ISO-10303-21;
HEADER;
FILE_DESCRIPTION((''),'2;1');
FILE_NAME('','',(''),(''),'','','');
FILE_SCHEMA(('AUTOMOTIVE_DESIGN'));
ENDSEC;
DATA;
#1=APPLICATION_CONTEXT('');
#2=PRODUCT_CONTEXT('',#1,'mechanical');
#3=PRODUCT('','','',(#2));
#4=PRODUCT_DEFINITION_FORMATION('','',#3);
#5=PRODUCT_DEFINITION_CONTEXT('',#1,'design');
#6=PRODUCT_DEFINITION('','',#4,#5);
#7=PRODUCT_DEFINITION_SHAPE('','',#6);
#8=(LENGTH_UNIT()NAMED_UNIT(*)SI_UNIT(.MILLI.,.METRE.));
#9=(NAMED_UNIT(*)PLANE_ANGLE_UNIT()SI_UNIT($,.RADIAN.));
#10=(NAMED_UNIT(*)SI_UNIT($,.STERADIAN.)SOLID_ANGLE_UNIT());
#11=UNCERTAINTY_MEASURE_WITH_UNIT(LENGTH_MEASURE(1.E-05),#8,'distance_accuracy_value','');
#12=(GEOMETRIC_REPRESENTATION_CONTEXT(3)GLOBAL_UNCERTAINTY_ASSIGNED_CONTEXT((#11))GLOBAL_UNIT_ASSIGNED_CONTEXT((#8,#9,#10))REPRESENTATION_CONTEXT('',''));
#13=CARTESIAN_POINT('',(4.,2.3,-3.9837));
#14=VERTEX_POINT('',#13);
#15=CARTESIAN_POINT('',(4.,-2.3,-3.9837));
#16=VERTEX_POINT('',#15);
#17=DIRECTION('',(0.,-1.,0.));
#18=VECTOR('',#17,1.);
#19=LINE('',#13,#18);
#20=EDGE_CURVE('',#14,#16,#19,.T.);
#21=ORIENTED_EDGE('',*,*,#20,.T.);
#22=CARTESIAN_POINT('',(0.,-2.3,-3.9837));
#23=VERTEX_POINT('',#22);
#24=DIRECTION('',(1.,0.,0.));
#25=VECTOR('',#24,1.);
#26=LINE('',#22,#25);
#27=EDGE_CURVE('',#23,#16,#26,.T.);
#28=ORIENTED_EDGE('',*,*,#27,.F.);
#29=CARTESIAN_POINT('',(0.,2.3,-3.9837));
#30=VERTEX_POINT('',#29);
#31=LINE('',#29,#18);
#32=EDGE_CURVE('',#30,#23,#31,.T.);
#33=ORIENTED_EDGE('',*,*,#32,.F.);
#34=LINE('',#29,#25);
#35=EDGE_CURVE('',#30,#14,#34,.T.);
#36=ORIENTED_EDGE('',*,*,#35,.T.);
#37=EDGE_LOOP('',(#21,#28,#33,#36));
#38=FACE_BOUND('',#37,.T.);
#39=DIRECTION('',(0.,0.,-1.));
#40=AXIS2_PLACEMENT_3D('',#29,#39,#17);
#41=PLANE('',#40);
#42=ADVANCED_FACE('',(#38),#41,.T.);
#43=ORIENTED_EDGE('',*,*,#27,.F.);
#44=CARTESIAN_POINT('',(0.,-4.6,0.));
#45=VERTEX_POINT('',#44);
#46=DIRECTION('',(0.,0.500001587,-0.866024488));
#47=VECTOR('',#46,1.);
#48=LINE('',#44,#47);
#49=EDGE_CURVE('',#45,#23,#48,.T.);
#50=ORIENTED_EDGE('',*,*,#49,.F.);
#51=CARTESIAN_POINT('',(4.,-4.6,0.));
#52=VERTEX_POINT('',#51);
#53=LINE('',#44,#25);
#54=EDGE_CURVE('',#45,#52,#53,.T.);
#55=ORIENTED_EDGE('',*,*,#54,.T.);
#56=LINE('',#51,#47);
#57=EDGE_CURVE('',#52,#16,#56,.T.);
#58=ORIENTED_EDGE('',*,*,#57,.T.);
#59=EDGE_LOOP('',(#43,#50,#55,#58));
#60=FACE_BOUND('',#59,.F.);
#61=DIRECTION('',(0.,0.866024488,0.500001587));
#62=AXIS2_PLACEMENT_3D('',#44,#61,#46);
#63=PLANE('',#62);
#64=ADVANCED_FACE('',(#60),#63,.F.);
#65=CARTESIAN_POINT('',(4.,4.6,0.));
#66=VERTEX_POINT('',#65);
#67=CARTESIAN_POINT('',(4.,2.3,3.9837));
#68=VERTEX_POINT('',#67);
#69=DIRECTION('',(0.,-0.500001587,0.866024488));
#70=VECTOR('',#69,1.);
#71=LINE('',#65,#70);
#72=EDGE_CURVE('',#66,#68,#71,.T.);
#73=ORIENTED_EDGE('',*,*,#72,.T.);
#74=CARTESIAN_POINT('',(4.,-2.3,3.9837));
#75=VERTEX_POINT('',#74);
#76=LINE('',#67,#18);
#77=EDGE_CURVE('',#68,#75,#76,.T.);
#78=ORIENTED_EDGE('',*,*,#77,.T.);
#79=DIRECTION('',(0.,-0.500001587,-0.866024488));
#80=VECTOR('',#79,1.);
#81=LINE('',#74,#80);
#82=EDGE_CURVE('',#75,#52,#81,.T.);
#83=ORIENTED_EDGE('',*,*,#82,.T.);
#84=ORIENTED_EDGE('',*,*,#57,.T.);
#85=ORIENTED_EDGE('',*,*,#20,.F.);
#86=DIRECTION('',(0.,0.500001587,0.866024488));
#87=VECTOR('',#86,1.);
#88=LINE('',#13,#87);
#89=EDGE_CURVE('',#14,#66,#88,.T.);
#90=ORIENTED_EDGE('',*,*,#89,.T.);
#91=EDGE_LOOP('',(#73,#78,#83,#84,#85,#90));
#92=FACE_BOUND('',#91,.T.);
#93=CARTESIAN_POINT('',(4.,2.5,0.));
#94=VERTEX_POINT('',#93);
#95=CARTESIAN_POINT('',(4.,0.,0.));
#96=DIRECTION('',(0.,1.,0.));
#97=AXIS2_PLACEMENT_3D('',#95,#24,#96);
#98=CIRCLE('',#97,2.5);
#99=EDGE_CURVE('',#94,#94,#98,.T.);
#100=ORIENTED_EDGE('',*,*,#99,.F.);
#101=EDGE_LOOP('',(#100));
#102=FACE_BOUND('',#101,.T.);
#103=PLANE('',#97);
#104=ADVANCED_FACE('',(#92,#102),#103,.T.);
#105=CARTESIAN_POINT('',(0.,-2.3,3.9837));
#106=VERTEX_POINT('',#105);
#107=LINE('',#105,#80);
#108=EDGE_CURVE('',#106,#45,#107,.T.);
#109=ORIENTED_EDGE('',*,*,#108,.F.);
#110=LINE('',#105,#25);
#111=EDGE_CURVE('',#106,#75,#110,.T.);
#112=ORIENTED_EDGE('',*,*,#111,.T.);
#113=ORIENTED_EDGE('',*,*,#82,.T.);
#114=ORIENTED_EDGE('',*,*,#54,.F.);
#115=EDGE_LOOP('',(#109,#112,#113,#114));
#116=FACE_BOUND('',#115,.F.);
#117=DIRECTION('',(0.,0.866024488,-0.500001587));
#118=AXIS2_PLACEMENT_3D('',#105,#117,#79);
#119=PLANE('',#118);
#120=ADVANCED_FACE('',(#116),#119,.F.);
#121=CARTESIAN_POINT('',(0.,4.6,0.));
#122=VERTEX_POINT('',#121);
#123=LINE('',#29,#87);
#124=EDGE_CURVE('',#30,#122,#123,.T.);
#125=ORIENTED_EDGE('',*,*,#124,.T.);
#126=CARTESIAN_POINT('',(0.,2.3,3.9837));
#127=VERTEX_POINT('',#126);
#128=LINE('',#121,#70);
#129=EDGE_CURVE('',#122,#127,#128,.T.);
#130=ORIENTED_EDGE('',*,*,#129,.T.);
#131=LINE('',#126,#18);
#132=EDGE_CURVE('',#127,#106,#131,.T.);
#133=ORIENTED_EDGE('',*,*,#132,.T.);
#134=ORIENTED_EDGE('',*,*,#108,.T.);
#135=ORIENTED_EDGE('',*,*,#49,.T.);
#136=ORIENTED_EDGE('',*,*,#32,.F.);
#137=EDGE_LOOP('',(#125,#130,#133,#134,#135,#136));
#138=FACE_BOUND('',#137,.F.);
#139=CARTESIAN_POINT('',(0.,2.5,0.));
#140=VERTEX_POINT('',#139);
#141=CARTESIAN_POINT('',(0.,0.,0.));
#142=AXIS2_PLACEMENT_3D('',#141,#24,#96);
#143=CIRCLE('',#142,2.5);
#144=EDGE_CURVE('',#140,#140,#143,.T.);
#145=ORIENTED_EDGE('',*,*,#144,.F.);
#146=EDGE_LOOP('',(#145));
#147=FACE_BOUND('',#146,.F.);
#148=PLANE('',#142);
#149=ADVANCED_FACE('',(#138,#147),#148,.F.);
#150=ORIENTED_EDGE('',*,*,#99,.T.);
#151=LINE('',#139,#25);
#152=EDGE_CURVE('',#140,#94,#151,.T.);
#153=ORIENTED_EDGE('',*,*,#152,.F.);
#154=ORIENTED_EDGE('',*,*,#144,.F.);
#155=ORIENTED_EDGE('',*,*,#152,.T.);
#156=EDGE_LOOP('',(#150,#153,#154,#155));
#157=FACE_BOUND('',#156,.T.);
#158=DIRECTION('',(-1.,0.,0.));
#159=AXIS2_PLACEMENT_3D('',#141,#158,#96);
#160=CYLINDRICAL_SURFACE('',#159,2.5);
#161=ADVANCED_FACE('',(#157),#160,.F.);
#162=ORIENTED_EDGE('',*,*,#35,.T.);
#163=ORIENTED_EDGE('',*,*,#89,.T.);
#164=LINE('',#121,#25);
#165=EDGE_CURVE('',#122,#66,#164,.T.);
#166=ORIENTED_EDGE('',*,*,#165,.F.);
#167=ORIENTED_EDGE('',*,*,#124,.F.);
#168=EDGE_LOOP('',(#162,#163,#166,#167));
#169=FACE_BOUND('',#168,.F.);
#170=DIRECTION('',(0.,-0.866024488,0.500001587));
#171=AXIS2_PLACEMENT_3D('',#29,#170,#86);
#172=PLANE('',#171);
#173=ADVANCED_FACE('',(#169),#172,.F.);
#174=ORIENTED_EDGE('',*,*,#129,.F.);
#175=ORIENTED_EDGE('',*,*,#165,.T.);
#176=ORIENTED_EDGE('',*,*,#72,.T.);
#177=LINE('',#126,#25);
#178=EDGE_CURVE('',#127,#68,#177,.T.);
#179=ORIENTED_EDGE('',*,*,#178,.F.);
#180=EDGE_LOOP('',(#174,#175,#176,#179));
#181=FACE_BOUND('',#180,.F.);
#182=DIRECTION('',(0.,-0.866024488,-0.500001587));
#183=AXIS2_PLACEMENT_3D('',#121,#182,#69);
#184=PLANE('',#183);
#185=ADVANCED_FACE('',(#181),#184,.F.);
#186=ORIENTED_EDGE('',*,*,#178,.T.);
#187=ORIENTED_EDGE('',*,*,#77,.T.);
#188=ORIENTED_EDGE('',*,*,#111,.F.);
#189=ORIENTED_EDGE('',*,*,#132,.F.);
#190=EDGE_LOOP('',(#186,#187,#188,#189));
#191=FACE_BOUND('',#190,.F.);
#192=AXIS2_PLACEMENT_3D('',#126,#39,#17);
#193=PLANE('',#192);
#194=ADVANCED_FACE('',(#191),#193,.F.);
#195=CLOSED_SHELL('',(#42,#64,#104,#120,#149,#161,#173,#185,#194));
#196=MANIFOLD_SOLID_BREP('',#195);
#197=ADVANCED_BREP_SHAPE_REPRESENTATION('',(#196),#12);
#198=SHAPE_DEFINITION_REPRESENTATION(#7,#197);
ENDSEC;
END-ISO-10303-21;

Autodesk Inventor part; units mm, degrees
ref_plane "YZ Plane" through (0, 0, 0) normal (1, 0, 0) x (0, 1, 0)
ref_plane "XZ Plane" through (0, 0, 0) normal (0, 1, 0) x (-1, 0, 0)
ref_plane "XY Plane" through (0, 0, 0) normal (0, 0, 1) x (1, 0, 0)
sketch "スケッチ1" plane through (0, 0, 0) normal (1, 0, 0) x (0, 1, 0)
  circle A0 centre (0, 0) radius 4.6
  line L0 (4.6, 0) -> (2.3, 3.9837)
  line L1 (2.3, 3.9837) -> (-2.3, 3.9837)
  line L2 (-2.3, 3.9837) -> (-4.6, 0)
  line L3 (-4.6, 0) -> (-2.3, -3.9837)
  line L4 (2.3, -3.9837) -> (-2.3, -3.9837)
  line L5 (2.3, -3.9837) -> (4.6, 0)
  circle A1 centre (0, 0) radius 2.5
  point P0 (-2.3, -3.9837)
  dimension "d0" = 9.2
  dimension "d3" = 360
  dimension "d5" = 5
extrude "押し出し1" add sketch "スケッチ1" along normal blind 4 contours L5 L4 L3 L2 L1 L0
properties part number "5min-nut" material "アルミニウム 6061"
